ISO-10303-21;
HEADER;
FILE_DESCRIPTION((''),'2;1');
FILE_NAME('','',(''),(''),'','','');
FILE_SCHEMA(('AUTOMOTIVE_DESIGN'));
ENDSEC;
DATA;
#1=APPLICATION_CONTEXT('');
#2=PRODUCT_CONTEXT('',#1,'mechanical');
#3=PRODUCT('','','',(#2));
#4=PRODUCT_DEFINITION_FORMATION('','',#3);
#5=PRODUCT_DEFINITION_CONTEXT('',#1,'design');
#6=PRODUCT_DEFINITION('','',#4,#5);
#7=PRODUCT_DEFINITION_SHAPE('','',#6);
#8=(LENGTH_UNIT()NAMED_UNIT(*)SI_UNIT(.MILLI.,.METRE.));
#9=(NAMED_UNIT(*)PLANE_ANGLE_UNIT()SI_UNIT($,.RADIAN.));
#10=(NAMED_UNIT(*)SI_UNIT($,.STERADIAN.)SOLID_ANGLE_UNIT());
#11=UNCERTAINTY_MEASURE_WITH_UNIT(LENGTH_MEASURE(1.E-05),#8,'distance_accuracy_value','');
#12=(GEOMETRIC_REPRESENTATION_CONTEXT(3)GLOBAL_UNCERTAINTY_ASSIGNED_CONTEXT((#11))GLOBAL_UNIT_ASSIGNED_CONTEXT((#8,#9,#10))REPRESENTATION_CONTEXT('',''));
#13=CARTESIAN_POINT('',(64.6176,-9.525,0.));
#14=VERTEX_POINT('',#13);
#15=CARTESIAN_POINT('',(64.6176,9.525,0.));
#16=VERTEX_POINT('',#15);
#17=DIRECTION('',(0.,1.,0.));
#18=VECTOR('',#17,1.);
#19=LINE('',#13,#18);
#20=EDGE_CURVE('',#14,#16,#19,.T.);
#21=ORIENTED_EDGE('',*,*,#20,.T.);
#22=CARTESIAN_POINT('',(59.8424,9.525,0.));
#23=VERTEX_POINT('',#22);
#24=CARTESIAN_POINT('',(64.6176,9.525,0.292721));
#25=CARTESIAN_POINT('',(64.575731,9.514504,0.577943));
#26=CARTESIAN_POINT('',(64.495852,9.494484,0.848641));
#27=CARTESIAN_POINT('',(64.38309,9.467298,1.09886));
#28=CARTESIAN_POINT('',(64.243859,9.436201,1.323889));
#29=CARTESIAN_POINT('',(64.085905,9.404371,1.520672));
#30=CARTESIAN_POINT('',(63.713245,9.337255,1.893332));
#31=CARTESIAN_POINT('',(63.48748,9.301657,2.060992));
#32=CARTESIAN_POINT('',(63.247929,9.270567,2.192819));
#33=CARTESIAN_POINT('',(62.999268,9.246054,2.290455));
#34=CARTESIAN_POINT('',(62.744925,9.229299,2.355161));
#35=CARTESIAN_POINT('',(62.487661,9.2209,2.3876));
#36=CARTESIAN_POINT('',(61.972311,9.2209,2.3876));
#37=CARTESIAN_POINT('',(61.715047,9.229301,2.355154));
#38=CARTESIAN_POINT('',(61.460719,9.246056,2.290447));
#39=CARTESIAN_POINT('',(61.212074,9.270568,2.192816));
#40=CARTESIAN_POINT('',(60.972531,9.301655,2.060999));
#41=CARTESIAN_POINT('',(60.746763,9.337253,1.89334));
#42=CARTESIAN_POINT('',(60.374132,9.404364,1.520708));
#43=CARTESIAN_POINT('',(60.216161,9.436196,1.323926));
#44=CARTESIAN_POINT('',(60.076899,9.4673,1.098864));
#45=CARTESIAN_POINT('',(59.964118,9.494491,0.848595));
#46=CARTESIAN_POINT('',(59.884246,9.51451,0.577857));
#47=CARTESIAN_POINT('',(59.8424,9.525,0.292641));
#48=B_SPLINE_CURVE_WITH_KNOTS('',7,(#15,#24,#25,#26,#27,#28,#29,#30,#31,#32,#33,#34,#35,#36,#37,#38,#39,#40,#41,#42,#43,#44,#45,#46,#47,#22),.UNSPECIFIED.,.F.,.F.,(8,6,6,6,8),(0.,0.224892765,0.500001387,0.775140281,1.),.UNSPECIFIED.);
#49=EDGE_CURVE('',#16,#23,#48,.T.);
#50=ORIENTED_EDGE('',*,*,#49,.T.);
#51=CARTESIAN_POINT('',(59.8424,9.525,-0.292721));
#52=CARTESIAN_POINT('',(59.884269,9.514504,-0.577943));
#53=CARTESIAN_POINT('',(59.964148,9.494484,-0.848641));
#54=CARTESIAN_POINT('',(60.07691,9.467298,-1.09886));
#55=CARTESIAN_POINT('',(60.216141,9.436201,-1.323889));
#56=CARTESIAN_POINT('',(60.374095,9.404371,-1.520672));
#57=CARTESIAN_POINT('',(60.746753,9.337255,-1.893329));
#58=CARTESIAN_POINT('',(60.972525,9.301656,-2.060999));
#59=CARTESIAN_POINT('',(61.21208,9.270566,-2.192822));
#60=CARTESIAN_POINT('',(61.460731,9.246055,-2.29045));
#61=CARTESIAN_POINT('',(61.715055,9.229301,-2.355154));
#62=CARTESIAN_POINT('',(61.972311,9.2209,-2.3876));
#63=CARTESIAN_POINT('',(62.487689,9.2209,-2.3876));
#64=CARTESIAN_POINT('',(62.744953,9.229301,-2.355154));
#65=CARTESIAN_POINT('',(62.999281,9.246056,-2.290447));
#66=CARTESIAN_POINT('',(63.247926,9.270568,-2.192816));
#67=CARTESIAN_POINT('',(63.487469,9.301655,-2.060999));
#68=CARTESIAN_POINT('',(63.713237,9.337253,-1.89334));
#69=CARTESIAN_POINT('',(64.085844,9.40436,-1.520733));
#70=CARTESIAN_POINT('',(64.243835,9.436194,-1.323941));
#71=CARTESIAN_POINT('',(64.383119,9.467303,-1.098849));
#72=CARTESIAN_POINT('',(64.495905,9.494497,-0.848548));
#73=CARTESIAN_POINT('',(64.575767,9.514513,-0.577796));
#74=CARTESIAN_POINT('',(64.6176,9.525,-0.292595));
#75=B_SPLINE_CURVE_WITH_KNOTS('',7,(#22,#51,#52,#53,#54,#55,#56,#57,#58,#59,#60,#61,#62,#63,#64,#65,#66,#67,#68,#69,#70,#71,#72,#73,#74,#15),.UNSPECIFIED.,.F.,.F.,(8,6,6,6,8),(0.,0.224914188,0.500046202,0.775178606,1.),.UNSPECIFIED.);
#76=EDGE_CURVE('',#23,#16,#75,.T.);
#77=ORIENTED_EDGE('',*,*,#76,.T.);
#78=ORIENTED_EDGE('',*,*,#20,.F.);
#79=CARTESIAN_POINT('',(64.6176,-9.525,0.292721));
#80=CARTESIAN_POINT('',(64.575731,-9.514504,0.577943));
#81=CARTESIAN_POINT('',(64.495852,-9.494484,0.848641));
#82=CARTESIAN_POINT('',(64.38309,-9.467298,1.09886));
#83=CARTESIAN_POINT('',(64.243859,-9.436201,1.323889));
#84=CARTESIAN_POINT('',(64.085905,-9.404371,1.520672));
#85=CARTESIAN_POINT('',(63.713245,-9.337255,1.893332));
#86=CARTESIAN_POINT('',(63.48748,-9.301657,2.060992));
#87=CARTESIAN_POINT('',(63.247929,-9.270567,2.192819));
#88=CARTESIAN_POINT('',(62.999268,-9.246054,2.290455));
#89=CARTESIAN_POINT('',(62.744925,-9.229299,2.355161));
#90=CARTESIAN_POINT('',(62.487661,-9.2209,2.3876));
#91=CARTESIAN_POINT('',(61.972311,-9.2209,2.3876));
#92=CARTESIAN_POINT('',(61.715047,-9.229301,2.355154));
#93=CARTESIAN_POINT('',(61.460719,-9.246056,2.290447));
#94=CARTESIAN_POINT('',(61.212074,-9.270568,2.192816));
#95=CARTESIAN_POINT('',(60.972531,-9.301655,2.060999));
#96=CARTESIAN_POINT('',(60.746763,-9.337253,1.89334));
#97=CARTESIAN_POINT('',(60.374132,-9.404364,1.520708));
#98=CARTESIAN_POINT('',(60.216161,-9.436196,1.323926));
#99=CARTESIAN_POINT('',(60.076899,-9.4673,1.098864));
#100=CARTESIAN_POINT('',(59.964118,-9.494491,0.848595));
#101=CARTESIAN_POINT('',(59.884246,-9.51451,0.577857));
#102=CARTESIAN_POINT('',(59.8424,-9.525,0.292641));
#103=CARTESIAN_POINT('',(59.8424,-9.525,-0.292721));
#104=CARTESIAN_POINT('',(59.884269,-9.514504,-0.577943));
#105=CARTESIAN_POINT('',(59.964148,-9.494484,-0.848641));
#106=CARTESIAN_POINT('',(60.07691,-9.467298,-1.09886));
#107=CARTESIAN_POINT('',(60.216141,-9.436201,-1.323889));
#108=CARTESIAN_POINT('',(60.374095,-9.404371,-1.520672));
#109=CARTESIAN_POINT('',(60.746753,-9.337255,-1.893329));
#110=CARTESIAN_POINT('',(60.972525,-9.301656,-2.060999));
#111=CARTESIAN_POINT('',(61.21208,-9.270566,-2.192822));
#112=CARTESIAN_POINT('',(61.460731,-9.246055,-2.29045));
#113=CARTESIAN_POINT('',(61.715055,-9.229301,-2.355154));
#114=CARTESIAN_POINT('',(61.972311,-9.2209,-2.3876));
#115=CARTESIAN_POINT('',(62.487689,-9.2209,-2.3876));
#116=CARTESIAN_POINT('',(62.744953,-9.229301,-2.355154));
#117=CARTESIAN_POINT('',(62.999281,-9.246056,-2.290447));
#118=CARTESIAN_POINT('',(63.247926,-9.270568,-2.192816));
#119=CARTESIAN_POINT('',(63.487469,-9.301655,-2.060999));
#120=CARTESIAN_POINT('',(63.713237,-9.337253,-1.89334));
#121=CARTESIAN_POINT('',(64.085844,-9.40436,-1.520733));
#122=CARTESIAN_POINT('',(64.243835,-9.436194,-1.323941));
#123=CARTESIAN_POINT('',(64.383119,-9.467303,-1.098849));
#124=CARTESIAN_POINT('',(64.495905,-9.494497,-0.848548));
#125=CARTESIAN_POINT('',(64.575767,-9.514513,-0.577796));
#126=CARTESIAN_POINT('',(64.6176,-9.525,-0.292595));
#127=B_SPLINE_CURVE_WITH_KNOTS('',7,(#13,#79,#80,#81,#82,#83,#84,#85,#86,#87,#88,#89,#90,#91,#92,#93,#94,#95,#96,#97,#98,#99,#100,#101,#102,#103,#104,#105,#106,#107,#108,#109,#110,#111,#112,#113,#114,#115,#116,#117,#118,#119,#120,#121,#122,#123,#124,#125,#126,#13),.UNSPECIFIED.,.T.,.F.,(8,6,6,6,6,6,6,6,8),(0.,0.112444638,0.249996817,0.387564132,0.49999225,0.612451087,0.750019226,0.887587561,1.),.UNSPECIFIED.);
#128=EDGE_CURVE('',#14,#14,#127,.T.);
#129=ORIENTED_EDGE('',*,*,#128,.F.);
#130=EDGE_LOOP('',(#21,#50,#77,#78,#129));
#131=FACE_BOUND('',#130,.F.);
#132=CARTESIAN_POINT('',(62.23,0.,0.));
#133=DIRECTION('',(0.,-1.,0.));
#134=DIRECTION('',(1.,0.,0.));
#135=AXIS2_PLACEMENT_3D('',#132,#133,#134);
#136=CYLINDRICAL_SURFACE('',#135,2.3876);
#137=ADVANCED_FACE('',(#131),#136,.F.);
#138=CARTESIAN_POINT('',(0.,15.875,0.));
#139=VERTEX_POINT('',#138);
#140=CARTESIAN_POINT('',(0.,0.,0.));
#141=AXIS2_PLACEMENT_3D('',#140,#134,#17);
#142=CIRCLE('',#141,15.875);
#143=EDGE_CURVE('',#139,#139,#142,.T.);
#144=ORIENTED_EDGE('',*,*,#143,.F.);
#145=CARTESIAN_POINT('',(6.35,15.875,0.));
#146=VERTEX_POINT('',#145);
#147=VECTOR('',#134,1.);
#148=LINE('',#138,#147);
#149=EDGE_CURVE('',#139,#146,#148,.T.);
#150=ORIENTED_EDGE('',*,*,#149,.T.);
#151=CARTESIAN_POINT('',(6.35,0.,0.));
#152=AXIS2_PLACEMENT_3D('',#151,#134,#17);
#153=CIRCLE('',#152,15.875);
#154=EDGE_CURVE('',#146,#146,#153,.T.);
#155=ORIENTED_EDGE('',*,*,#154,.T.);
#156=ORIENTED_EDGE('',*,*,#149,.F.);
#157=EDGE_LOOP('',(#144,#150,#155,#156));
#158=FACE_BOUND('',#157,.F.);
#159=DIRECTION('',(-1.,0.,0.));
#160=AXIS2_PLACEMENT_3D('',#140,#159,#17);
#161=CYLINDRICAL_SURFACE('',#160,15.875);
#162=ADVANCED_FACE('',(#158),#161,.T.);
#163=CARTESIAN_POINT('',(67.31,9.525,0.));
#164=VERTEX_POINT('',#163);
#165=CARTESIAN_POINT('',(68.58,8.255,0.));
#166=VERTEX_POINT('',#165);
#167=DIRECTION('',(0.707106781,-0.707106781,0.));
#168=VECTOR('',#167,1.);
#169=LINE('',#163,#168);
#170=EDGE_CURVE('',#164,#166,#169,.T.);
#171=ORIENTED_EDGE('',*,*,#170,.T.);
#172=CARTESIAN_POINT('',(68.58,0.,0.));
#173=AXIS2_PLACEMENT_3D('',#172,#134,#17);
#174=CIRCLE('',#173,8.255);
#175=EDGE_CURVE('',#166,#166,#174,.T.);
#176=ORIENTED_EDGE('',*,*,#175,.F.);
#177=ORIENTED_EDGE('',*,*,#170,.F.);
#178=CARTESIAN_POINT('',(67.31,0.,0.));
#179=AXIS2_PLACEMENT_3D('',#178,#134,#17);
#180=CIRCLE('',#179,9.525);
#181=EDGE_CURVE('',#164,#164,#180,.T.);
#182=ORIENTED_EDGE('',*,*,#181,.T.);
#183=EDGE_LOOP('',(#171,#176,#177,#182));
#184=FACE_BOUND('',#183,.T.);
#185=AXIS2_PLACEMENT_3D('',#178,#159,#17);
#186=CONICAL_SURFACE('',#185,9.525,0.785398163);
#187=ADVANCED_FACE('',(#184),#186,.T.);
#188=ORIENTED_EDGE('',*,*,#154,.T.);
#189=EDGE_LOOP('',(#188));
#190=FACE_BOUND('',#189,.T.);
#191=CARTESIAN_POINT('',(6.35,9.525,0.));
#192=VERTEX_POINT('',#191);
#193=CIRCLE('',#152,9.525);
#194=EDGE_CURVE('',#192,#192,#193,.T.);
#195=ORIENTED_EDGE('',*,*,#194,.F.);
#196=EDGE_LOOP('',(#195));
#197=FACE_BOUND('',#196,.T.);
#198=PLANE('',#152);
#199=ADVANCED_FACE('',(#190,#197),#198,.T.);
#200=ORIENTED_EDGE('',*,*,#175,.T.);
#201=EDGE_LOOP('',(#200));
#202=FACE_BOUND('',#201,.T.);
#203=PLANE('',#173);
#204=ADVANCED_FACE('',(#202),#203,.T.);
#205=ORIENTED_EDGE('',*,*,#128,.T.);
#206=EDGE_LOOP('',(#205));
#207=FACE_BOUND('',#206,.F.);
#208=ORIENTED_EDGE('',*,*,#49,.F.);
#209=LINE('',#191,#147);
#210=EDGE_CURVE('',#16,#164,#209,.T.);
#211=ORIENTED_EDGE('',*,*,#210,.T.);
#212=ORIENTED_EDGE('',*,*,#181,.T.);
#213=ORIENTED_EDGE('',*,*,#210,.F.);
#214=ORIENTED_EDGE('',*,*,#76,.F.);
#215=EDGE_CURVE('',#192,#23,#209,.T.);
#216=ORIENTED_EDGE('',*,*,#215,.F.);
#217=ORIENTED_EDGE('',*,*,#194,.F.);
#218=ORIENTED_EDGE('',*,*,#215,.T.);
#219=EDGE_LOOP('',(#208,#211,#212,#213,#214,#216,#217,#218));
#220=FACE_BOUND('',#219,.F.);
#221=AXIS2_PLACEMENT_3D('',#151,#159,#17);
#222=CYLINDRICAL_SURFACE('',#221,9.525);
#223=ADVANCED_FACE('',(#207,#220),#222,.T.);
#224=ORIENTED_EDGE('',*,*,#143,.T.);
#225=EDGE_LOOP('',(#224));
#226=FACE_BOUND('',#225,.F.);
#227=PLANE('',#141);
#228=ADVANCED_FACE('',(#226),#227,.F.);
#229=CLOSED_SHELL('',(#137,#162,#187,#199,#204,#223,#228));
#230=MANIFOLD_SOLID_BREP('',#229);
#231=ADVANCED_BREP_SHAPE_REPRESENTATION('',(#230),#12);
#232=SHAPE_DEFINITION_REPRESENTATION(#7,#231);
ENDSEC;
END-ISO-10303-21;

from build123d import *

# Parameters (mm, degrees)
F0_R          = 15.875
F1_DEPTH      = 6.35
F2_R          = 9.525
F3_DEPTH      = 62.23
F4_SIZE2      = 1.27
F4_SIZE       = 1.27
F5_R          = 2.3876
F6_DEPTH      = 51.308
F6_DEPTH_BACK = 25.4


with BuildPart() as f1:
    # F0 (on Right) → F1 (new body)
    with BuildSketch(Plane.YZ):
        Circle(F0_R)
    extrude(amount=F1_DEPTH)

    # F2 (on face) → F3 (join)
    with BuildSketch(Plane.YZ.offset(6.35)):
        Circle(F2_R)
    extrude(amount=F3_DEPTH)

    # F4
    f4_edges = [f1.edges().sort_by_distance(p)[0] for p in [
        (68.58, -9.525, 0),
    ]]
    chamfer(f4_edges, length=F4_SIZE, length2=F4_SIZE2)

    # F5 (on Front) → F6 (cut, two sides)
    with BuildSketch(Plane.XZ) as f6_sk:
        with Locations((62.23, 0)):
            Circle(F5_R)
    extrude(amount=F6_DEPTH, mode=Mode.SUBTRACT)
    extrude(f6_sk.sketch, amount=-F6_DEPTH_BACK, mode=Mode.SUBTRACT)


solid = f1.part
